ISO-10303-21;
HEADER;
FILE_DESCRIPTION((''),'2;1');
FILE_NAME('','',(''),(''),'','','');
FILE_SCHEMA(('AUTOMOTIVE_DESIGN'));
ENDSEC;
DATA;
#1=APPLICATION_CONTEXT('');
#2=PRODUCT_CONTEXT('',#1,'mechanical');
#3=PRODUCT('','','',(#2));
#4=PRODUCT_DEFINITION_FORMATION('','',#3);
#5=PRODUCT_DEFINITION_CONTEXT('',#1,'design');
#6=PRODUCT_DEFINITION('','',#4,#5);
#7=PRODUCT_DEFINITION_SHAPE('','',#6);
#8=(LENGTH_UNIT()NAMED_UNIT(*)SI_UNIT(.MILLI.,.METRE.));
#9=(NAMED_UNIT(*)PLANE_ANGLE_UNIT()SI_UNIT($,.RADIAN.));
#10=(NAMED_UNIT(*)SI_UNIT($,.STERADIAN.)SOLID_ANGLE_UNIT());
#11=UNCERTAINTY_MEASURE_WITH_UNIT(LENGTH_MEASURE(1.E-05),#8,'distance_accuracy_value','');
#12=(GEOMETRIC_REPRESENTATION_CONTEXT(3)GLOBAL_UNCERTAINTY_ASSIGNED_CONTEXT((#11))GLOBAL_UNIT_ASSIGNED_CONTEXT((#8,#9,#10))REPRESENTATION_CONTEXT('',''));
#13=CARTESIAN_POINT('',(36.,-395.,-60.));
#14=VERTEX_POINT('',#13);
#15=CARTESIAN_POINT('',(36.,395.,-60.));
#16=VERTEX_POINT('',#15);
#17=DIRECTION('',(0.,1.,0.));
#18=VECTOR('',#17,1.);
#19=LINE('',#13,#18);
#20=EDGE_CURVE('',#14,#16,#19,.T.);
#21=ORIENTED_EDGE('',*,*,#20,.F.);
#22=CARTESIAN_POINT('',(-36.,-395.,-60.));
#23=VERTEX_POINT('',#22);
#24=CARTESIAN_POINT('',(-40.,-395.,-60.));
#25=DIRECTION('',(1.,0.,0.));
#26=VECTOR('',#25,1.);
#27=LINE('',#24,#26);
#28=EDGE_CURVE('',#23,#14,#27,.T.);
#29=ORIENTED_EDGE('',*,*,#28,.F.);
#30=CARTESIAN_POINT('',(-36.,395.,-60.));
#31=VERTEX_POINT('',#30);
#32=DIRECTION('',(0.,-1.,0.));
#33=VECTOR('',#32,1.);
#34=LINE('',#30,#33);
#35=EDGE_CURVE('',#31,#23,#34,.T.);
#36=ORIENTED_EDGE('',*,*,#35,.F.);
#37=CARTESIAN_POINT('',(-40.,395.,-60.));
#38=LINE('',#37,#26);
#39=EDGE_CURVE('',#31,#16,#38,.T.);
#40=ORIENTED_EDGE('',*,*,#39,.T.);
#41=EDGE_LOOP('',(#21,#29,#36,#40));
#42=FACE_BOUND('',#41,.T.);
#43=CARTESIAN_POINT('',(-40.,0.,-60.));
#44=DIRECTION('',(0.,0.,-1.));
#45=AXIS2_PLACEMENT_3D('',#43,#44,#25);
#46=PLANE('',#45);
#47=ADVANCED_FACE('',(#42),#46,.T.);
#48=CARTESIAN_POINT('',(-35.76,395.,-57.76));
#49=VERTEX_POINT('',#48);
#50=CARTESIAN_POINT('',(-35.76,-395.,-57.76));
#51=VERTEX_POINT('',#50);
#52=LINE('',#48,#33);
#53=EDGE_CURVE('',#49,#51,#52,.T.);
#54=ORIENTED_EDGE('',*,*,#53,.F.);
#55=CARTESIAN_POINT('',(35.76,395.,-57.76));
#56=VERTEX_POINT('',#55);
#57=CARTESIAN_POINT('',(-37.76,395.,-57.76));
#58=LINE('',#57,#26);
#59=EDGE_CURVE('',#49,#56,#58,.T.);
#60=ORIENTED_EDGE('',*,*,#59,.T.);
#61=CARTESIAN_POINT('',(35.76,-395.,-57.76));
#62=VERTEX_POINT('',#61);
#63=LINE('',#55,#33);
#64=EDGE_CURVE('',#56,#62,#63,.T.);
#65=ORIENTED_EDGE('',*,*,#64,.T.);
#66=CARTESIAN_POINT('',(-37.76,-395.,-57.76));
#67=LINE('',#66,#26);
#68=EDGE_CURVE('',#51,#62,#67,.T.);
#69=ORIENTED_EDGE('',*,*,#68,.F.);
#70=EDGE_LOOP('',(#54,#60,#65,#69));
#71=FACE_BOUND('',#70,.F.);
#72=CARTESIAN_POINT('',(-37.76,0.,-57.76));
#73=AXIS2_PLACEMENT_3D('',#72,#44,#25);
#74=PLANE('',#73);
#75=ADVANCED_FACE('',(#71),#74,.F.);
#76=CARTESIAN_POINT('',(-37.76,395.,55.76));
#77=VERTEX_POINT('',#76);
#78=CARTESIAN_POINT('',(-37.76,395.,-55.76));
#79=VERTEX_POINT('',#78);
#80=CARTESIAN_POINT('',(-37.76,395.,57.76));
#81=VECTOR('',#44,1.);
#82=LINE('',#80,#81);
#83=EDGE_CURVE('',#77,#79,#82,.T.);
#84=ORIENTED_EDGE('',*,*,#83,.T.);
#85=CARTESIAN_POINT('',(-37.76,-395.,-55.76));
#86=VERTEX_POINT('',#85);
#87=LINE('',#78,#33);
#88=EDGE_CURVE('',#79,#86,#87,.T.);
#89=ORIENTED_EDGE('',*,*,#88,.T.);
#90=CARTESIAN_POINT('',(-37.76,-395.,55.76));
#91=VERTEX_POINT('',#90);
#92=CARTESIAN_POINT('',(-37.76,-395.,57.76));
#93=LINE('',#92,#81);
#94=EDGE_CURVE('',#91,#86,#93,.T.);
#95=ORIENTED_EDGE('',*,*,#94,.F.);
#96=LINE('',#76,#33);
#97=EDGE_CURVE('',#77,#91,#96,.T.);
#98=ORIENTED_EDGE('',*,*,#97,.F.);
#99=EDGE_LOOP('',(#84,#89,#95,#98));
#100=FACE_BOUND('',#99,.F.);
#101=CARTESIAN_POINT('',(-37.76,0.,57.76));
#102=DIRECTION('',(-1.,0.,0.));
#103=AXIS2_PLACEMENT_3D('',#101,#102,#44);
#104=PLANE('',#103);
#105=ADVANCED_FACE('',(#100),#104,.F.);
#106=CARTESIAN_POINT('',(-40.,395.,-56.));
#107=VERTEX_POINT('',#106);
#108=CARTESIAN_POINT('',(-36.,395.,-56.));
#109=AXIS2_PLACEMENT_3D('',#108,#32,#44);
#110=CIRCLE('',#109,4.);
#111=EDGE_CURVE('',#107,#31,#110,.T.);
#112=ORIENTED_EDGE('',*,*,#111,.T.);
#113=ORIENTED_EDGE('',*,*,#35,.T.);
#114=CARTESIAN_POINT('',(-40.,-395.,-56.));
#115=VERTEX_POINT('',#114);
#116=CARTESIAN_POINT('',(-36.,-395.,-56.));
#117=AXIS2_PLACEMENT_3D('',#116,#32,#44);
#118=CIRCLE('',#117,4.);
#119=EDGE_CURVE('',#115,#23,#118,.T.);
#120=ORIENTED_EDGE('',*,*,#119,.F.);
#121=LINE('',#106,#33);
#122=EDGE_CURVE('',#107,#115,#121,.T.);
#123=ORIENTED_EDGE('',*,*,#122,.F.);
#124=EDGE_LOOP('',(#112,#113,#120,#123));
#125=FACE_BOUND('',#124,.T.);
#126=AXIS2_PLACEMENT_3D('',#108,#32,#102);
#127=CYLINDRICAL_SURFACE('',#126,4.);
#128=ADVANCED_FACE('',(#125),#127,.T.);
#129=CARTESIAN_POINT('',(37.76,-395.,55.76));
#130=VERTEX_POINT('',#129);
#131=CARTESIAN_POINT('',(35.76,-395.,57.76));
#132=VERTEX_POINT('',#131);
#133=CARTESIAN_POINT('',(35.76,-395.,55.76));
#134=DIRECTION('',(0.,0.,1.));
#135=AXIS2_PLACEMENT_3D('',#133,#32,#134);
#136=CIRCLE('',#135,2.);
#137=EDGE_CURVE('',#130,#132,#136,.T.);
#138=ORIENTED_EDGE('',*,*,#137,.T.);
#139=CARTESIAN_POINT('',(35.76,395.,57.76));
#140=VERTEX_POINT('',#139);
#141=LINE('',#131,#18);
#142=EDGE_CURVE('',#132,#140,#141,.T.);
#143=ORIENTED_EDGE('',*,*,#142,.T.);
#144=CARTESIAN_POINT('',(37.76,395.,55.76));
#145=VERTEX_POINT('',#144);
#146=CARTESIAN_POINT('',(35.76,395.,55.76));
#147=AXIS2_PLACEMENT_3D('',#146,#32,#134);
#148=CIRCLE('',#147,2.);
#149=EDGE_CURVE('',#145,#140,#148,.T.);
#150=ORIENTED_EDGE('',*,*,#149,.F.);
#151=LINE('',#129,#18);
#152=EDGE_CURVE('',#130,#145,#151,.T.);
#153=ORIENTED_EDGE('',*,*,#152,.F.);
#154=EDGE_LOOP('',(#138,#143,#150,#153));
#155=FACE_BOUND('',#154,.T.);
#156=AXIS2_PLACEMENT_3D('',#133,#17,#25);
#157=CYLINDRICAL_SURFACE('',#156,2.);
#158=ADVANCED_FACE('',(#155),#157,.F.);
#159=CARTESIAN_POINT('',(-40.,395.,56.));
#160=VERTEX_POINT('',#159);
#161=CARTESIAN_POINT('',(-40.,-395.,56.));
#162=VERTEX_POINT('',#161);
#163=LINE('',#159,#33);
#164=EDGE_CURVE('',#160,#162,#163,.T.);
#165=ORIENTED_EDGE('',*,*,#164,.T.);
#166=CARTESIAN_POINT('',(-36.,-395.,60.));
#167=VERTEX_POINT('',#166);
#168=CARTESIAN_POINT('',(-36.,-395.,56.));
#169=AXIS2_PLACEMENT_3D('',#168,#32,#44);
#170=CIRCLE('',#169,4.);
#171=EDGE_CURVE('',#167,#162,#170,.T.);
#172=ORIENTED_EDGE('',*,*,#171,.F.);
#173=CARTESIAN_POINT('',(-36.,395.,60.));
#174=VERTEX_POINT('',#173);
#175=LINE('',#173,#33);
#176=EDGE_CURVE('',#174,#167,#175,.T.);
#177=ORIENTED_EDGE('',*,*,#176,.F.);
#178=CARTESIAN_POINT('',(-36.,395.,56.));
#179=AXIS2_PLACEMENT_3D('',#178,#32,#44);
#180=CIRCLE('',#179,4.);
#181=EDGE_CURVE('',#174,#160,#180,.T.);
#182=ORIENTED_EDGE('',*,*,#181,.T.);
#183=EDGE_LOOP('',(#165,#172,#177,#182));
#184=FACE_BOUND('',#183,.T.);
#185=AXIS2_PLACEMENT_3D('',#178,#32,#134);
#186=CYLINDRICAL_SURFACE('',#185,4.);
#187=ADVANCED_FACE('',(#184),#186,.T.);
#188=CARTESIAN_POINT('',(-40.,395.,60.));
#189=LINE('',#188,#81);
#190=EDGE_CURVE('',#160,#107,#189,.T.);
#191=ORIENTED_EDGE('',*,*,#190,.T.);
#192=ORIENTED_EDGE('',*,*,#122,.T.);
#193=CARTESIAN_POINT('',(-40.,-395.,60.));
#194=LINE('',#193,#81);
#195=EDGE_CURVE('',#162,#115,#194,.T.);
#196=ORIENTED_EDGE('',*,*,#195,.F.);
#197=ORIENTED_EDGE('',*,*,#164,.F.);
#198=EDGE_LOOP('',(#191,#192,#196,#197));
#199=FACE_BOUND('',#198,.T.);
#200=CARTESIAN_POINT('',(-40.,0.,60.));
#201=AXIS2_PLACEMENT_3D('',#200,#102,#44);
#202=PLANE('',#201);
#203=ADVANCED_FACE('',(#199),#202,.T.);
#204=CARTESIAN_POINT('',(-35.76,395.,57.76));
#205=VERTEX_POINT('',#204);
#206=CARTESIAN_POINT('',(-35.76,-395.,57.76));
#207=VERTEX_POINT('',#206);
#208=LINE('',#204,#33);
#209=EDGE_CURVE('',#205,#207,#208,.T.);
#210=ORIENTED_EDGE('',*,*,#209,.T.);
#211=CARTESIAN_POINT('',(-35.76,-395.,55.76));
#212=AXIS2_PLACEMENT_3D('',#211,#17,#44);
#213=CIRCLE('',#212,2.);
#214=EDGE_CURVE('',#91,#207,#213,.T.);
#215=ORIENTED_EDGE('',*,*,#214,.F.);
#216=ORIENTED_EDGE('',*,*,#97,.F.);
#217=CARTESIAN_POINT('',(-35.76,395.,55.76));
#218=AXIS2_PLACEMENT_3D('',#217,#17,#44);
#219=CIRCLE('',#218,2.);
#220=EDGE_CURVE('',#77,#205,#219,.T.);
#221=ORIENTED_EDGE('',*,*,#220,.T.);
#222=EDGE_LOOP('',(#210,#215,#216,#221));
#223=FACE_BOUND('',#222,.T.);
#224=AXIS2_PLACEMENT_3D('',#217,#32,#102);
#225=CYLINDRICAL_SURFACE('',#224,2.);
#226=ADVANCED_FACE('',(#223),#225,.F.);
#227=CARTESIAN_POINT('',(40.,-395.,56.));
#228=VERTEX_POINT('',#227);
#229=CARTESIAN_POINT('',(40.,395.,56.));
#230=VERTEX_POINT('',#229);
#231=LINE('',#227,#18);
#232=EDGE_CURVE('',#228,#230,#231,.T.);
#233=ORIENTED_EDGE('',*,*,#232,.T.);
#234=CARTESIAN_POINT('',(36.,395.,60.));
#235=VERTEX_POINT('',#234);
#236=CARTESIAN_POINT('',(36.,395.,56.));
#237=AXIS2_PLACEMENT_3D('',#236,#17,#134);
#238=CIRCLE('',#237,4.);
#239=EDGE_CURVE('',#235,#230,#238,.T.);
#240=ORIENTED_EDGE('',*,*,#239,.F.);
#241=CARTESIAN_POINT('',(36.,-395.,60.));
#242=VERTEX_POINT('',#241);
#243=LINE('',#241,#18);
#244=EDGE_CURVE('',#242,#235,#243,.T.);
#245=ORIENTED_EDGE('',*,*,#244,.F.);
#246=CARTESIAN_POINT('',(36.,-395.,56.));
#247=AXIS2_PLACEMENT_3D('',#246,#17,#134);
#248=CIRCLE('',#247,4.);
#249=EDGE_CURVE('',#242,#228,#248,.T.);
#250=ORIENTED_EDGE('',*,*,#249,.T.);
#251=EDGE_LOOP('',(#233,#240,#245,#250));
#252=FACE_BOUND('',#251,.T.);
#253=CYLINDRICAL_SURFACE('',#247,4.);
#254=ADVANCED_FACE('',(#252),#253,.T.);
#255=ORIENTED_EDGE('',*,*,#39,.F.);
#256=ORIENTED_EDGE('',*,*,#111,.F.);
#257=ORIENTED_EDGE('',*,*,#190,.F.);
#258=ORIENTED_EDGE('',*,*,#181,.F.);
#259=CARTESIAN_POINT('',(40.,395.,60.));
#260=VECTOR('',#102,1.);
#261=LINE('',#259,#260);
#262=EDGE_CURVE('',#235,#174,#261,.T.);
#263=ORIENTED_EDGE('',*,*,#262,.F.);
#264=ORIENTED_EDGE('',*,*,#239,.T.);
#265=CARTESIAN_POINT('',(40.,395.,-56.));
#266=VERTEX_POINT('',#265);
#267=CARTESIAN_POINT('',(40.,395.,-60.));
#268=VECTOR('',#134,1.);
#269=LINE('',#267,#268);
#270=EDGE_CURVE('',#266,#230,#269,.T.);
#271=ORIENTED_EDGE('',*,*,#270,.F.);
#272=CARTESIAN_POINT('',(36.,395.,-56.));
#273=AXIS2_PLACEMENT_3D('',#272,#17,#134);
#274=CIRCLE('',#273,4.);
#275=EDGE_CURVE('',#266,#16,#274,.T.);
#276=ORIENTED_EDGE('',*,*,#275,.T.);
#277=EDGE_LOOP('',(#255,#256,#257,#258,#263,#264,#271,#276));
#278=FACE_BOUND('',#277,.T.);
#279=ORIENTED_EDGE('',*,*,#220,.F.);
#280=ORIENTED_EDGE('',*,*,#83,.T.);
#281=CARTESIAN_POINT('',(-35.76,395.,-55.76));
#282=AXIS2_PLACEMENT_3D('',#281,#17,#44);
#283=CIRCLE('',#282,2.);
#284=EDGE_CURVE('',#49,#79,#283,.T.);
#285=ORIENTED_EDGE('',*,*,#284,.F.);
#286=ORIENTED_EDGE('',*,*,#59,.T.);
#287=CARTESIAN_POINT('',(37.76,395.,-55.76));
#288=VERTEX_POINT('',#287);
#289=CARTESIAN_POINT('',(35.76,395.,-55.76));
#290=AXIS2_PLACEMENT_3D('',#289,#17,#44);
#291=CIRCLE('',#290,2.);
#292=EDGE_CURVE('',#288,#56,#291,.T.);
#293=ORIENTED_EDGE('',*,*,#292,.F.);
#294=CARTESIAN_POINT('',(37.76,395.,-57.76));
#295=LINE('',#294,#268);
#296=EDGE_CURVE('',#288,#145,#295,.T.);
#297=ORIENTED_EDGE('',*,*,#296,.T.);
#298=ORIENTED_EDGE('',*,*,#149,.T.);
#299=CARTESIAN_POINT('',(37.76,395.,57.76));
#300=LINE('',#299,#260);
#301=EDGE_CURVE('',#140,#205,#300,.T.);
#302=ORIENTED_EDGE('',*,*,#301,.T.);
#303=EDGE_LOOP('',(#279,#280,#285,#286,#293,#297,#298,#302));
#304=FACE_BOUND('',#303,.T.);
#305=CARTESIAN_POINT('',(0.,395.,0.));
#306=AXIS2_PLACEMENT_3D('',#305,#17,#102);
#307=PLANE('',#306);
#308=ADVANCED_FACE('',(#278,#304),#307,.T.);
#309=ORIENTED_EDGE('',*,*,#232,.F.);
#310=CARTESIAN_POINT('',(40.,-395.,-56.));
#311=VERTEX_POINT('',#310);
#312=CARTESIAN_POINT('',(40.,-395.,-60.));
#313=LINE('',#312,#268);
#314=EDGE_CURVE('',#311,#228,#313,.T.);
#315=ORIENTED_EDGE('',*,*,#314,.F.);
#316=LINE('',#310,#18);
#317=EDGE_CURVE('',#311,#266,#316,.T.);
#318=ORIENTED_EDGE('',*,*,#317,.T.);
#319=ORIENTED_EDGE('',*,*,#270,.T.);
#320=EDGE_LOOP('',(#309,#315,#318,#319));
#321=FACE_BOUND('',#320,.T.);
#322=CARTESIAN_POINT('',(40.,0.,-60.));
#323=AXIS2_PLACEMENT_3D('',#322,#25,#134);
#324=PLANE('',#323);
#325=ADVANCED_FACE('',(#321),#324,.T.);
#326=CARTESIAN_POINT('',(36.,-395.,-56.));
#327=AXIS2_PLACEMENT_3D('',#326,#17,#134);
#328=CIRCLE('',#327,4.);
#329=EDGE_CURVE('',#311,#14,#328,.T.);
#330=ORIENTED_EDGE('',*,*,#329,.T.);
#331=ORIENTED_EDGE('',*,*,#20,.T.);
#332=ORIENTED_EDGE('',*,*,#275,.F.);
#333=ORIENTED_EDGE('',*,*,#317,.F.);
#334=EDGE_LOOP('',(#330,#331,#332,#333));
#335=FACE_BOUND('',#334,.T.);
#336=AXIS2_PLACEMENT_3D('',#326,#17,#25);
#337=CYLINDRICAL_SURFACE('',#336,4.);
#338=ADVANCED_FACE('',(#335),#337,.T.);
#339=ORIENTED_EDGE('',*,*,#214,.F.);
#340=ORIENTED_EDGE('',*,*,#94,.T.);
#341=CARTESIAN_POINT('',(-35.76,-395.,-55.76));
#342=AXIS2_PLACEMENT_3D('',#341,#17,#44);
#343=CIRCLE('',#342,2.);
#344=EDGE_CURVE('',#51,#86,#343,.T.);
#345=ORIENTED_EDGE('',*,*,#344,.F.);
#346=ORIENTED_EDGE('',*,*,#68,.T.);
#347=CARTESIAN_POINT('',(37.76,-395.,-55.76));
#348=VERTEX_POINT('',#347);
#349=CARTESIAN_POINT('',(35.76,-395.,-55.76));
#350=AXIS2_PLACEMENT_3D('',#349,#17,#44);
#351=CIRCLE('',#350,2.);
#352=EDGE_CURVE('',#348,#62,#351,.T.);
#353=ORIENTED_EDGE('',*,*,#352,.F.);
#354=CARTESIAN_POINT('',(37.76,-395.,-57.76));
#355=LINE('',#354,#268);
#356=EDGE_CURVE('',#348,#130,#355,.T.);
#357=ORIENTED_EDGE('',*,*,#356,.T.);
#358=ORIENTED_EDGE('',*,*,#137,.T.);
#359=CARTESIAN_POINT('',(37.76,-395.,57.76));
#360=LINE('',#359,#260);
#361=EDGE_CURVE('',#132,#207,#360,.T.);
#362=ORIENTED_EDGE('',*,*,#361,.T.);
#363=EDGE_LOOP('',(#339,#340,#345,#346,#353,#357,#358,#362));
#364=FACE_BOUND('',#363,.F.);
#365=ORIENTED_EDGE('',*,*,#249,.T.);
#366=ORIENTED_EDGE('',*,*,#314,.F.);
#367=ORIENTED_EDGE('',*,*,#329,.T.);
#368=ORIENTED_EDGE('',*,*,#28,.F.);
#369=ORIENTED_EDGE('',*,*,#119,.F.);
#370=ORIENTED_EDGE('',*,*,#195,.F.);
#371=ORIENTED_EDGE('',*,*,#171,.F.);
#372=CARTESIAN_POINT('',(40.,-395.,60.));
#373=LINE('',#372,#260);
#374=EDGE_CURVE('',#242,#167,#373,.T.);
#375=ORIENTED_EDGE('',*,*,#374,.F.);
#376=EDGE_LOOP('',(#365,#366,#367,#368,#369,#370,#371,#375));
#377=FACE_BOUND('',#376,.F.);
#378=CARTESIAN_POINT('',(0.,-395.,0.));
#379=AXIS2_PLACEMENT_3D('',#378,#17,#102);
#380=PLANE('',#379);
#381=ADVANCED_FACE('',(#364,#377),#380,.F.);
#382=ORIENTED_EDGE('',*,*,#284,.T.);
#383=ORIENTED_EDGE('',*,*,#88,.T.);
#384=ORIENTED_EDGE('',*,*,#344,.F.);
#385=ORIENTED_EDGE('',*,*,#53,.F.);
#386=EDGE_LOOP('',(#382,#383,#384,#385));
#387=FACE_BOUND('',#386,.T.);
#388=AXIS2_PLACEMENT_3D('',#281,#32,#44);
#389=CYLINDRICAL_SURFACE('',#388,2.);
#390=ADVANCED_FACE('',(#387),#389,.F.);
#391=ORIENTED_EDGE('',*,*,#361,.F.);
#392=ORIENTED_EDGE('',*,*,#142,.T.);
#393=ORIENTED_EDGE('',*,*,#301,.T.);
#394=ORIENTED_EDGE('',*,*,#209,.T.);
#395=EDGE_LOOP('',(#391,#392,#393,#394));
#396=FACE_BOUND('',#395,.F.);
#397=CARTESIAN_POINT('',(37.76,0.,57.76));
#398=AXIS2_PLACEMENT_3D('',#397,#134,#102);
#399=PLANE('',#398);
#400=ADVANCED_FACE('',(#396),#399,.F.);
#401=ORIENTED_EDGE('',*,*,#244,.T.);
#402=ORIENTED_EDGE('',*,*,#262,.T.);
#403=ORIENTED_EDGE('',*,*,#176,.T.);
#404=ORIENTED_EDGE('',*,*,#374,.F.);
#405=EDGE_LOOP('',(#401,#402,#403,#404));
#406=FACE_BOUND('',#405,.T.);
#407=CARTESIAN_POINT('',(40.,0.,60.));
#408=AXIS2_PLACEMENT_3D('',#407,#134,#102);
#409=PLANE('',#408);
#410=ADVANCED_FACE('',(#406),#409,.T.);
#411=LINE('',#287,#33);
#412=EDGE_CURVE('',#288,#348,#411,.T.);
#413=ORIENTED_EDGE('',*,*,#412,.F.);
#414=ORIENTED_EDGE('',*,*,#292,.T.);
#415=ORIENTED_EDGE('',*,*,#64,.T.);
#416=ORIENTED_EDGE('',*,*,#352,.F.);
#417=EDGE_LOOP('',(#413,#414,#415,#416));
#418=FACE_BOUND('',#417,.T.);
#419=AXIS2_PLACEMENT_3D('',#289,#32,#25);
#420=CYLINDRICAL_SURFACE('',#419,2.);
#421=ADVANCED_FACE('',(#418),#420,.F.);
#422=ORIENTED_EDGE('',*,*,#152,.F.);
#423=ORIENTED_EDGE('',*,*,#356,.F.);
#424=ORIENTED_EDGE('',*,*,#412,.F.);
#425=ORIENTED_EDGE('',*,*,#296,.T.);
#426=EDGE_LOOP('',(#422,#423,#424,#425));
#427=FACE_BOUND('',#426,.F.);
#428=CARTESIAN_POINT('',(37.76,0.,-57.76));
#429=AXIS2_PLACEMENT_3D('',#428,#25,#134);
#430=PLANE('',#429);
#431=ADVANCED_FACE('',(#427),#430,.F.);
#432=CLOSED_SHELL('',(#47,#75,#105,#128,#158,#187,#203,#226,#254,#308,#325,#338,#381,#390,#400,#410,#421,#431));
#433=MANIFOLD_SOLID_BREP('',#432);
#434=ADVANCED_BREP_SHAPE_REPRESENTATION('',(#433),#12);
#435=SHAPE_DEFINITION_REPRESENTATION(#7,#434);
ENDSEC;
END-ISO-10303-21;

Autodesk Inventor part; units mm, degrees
ref_plane "YZ Plane" through (0, 0, 0) normal (1, 0, 0) x (0, 1, 0)
ref_plane "XZ Plane" through (0, 0, 0) normal (0, 1, 0) x (-1, 0, 0)
ref_plane "XY Plane" through (0, 0, 0) normal (0, 0, 1) x (1, 0, 0)
sketch "Sketch2" plane through (0, 0, 0) normal (0, 1, 0) x (-1, 0, 0)
  line L0 (-40, 60) -> (40, 60)
  line L1 (40, 60) -> (40, -60)
  line L2 (40, -60) -> (-40, -60)
  line L3 (-40, -60) -> (-40, 60)
  line L4 (-40, 60) -> (40, -60) construction
  line L5 (40, 60) -> (-40, -60) construction
  line L6 (-37.76, 57.76) -> (37.76, 57.76)
  line L7 (37.76, 57.76) -> (37.76, -57.76)
  line L8 (37.76, -57.76) -> (-37.76, -57.76)
  line L9 (-37.76, -57.76) -> (-37.76, 57.76)
  line L10 (-37.76, 57.76) -> (37.76, -57.76) construction
  line L11 (37.76, 57.76) -> (-37.76, -57.76) construction
  point P0 (0, 0)
  dimension "d8" = 80
  dimension "d9" = 120
  dimension "d10" = 75.52
  dimension "d61" = 115.52
extrude "Extrusion2" add sketch "Sketch2" along normal mid plane 790
fillet "Fillet2" radius 4 4 edges at (-40, 0, 60) (40, 0, 60) (40, 0, -60) (-40, 0, -60)
fillet "Fillet2" radius 2 4 edges at (37.76, 0, 57.76) (-37.76, 0, -57.76) (37.76, 0, -57.76) (-37.76, 0, 57.76)
properties part number "tubo3-40x80x800" material "Acero, carbono"
